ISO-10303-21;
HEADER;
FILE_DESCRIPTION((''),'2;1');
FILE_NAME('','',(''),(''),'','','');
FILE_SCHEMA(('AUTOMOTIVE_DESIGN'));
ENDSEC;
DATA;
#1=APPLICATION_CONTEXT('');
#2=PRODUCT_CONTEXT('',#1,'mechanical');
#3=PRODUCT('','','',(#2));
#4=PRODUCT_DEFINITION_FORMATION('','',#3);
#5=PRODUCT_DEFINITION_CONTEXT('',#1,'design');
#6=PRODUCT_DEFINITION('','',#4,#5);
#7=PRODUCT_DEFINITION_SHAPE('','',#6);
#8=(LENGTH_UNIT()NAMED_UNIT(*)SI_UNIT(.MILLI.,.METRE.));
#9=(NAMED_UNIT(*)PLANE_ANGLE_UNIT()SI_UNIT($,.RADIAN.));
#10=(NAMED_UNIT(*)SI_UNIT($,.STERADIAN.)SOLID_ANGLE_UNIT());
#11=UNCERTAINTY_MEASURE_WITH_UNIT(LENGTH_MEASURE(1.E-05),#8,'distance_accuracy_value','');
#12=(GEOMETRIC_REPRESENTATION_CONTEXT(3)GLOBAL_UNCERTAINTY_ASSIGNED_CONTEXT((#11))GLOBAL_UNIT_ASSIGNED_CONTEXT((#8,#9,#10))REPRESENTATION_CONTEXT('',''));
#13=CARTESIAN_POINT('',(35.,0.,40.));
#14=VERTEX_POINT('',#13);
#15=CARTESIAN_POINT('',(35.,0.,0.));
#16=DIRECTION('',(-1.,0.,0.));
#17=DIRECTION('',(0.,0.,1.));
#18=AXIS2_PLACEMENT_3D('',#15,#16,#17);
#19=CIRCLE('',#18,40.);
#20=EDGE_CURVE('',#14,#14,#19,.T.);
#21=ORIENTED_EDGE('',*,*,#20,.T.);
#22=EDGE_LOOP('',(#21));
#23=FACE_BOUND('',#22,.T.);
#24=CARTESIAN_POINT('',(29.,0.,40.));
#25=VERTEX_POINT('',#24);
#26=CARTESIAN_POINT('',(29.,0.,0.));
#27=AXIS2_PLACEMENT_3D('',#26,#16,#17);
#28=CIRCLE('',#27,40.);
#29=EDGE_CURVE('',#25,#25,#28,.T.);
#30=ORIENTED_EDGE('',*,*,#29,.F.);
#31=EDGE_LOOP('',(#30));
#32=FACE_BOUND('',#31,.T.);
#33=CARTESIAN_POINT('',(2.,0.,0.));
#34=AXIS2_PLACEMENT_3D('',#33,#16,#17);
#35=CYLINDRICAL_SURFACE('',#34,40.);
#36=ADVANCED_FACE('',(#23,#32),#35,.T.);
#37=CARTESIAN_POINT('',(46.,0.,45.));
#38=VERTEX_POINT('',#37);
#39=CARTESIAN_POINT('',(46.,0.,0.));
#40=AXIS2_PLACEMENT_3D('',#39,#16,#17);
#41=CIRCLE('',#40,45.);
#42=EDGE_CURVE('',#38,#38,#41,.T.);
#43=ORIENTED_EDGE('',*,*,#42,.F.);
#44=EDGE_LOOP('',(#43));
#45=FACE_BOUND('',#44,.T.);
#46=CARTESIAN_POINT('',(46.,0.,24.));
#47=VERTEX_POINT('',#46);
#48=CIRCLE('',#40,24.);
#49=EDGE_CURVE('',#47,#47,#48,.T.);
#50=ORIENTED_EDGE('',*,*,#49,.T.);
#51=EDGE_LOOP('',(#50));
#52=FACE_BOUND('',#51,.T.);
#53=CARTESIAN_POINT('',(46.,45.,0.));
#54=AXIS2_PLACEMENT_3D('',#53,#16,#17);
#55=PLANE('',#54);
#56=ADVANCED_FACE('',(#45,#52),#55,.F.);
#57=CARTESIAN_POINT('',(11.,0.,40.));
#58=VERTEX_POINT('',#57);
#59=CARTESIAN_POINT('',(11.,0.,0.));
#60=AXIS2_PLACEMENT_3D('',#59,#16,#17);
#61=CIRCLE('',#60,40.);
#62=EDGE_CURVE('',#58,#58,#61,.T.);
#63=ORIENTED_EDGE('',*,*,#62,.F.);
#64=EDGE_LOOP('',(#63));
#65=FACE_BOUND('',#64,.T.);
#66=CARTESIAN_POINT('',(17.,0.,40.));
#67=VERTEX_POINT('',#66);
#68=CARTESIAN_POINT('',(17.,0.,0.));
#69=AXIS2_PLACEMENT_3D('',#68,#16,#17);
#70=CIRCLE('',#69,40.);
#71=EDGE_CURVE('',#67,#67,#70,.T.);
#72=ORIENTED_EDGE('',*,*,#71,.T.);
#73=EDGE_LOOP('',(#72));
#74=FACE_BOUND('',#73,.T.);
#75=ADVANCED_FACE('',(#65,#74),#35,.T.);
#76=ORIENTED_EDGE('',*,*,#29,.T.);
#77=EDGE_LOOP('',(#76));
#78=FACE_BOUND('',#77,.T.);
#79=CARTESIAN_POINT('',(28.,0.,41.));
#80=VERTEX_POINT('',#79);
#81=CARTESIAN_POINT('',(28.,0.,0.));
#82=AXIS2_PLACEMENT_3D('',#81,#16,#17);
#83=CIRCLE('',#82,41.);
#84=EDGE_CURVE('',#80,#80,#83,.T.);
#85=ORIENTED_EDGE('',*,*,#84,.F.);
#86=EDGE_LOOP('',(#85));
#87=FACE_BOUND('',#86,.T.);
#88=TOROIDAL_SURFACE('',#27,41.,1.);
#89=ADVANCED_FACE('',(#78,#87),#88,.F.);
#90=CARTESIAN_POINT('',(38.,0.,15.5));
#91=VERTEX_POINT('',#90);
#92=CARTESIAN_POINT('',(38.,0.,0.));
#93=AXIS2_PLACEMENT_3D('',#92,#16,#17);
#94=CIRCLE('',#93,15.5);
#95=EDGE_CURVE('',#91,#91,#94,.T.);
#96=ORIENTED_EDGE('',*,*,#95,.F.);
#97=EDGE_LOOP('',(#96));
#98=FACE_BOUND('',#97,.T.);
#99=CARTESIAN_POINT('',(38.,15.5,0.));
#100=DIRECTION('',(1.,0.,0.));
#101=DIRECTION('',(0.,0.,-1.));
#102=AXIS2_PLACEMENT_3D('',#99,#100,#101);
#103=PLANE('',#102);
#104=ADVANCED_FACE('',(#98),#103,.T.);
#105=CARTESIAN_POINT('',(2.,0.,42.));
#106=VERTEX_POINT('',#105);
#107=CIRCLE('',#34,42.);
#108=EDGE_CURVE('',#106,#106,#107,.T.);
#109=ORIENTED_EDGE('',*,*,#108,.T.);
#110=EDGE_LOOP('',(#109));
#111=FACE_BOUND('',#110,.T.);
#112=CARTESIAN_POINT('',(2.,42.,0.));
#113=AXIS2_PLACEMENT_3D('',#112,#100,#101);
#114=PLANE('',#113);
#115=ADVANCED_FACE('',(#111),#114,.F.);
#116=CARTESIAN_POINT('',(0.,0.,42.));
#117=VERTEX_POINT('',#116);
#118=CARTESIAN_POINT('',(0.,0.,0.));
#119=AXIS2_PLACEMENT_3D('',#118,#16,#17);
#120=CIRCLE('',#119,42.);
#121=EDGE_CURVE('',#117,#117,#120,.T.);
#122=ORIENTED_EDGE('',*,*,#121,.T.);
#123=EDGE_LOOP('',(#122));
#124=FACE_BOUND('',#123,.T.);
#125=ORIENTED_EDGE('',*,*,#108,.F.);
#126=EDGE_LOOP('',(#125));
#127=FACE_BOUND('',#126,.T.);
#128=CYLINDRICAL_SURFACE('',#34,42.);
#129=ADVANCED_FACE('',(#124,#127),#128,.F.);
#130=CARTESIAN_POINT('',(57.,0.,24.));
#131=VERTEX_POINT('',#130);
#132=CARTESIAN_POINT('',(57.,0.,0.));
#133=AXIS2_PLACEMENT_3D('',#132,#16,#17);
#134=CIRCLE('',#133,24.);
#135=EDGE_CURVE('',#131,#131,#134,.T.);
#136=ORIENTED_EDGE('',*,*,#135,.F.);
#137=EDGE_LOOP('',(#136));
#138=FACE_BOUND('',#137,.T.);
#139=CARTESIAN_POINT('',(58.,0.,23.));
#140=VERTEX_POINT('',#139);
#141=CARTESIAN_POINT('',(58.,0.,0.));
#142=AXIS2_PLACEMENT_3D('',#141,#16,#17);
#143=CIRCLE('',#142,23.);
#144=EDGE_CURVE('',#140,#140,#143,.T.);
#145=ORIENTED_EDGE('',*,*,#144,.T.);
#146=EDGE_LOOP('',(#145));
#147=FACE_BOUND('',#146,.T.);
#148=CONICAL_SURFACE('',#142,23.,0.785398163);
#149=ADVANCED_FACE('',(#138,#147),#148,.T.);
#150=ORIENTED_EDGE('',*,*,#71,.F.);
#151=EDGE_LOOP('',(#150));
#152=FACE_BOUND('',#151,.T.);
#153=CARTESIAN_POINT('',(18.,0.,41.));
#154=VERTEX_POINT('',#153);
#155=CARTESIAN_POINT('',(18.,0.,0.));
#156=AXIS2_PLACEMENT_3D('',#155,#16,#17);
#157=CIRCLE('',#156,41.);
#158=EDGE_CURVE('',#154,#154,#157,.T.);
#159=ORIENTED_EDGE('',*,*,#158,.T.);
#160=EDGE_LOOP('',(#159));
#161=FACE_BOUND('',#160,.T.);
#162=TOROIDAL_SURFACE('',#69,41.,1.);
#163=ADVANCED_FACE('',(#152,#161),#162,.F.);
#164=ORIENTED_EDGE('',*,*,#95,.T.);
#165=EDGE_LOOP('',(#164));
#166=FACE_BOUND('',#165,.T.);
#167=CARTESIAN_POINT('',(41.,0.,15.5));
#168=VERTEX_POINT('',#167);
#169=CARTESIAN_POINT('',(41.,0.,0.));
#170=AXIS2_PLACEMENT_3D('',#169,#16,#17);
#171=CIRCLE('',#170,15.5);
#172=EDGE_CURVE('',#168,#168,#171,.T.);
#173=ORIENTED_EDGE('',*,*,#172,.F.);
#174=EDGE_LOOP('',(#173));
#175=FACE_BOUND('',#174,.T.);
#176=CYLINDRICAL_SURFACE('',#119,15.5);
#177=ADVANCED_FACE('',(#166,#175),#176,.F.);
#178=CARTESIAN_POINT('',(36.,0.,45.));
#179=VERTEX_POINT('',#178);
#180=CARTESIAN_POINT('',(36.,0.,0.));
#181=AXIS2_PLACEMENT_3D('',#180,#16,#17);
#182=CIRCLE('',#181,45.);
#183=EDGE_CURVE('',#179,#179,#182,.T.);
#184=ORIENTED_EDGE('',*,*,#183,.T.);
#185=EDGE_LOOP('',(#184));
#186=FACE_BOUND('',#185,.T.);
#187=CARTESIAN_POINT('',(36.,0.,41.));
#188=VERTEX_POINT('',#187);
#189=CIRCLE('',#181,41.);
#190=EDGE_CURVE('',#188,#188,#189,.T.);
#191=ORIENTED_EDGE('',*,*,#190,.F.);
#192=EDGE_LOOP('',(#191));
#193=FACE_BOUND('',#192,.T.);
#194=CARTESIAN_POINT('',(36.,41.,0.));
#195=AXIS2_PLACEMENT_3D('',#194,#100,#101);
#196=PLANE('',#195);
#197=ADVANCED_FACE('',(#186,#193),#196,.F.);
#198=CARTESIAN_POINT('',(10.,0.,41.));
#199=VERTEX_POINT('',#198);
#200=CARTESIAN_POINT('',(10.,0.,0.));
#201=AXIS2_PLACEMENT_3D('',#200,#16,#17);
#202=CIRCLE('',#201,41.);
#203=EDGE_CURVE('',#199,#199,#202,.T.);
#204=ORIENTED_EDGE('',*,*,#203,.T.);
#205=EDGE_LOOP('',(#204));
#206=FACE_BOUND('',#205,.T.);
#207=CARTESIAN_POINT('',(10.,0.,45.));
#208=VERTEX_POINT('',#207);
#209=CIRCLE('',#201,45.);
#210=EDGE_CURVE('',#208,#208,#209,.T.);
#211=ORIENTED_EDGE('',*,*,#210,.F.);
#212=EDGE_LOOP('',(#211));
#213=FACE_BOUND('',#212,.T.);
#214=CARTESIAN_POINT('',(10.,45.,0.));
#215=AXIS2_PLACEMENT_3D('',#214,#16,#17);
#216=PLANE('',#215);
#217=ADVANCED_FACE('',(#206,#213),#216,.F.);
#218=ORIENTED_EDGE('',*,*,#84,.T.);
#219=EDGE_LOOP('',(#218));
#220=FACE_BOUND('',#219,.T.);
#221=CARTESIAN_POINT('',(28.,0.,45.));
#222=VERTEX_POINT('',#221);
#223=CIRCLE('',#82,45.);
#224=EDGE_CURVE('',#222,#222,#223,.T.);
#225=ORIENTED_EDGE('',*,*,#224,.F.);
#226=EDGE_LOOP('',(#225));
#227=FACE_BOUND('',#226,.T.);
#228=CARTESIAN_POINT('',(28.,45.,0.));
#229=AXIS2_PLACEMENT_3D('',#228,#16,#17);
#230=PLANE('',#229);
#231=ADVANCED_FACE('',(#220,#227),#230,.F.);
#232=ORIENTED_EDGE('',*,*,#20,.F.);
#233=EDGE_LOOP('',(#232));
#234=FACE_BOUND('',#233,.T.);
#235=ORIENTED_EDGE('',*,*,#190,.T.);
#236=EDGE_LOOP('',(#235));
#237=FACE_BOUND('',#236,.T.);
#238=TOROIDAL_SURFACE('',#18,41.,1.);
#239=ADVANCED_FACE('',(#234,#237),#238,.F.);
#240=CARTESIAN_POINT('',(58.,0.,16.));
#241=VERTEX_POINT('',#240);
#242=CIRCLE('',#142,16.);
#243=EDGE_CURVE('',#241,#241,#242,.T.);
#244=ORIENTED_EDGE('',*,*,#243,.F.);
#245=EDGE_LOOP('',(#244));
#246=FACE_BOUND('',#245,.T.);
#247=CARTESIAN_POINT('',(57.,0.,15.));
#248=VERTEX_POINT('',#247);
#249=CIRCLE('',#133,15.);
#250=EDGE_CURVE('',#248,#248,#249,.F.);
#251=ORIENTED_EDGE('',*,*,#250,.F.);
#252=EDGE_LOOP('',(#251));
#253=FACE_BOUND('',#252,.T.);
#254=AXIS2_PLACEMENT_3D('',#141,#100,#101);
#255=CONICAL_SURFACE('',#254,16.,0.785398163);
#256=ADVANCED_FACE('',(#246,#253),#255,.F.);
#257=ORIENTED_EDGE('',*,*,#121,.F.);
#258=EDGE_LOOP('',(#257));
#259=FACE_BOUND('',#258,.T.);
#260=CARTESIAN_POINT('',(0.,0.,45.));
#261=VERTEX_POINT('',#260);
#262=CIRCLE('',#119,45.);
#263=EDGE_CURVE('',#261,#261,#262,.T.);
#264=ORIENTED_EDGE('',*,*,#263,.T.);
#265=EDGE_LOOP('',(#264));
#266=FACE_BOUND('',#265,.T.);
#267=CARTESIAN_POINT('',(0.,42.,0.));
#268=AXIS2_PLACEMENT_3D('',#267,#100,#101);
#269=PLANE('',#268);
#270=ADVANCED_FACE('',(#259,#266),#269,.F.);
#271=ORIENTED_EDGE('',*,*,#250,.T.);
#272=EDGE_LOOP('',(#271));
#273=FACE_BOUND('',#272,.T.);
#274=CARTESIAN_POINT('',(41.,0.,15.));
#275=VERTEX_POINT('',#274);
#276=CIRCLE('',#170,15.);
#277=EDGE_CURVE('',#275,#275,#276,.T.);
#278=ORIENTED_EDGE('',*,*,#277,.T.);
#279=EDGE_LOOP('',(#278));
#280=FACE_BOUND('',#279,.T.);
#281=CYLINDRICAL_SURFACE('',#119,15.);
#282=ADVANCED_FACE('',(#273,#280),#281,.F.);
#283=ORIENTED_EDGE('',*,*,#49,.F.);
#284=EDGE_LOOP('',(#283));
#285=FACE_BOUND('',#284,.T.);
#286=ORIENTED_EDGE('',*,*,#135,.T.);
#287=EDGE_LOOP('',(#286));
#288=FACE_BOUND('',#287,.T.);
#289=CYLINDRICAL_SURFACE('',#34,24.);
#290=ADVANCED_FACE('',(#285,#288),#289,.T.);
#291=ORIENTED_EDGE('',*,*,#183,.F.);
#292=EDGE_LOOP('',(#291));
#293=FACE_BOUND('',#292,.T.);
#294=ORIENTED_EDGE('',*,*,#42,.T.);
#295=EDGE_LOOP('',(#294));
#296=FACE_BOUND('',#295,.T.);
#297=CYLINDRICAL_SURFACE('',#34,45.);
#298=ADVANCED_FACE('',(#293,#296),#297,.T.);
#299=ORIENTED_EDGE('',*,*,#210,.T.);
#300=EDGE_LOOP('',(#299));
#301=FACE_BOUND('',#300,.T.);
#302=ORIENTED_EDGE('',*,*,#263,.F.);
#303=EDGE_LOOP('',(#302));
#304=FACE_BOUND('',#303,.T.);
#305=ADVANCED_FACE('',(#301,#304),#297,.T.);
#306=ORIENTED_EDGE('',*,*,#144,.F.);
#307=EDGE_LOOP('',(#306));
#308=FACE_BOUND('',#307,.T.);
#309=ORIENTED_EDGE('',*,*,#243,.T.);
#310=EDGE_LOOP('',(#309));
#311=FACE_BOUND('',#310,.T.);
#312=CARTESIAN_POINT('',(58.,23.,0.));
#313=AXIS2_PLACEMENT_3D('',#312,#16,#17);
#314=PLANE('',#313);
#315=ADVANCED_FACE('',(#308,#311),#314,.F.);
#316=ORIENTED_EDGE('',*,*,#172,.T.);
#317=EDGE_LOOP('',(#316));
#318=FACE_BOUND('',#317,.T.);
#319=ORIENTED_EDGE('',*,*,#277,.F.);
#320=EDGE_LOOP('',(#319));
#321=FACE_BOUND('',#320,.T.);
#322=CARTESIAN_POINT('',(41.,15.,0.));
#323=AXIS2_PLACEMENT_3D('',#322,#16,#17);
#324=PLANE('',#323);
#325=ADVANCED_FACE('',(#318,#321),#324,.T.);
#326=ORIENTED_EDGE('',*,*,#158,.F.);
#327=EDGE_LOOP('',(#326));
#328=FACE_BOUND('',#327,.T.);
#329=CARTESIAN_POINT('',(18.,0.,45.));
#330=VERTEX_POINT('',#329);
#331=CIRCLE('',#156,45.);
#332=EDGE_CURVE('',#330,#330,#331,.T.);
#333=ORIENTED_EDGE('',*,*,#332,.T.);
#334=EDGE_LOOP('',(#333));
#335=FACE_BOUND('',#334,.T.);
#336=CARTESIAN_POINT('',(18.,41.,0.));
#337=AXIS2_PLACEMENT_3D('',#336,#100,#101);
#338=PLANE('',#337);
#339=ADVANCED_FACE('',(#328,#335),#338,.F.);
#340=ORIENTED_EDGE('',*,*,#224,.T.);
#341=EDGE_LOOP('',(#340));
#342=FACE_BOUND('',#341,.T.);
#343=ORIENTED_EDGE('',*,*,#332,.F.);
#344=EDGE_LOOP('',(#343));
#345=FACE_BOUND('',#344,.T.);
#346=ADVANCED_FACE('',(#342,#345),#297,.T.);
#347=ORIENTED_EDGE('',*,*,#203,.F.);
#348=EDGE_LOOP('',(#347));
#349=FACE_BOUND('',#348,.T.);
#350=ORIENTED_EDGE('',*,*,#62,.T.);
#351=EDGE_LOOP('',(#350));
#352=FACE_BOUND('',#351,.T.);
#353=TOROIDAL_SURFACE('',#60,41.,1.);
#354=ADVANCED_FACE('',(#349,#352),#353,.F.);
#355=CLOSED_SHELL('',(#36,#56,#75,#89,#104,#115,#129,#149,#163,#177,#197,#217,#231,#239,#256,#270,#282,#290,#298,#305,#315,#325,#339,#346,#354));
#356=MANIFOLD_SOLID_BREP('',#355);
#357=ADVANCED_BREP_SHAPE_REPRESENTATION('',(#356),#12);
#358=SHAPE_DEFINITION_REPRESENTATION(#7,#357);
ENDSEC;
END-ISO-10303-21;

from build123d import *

# Parameters (mm, degrees)
CHAMFER_1_SIZE = 1


with BuildPart() as part:
    # Эскиз1 → Повернуть1 (revolve)
    with BuildSketch(Plane.XY, mode=Mode.PRIVATE) as revolve_1_sk:
        with BuildLine():
            Line((0, 42), (0, 45))
            Line((0, 45), (10, 45))
            Line((10, 45), (10, 41))
            ThreePointArc((10, 41), (10.292893219, 40.292893219), (11, 40))
            Line((11, 40), (17, 40))
            ThreePointArc((17, 40), (17.707106781, 40.292893219), (18, 41))
            Line((18, 41), (18, 45))
            Line((18, 45), (28, 45))
            Line((28, 45), (28, 41))
            ThreePointArc((28, 41), (28.292893219, 40.292893219), (29, 40))
            Line((29, 40), (35, 40))
            ThreePointArc((35, 40), (35.707106781, 40.292893219), (36, 41))
            Line((36, 41), (36, 45))
            Line((36, 45), (46, 45))
            Line((46, 45), (46, 24))
            Line((46, 24), (57, 24))
            Line((57, 24), (58, 23))
            Line((58, 23), (58, 0))
            Line((58, 0), (2, 0))
            Line((2, 0), (2, 42))
            Line((2, 42), (0, 42))
        make_face()
    revolve(revolve_1_sk.sketch.rotate(Axis((2, 0, 0), (1, 0, 0)), 90), axis=Axis((2, 0, 0), (1, 0, 0)))

    # Эскиз2 → Вырез-Повернуть1 (revolve, cut)
    with BuildSketch(Plane.XY, mode=Mode.PRIVATE) as cut_revolve_1_sk:
        Polygon((58, 0), (58, 15), (41, 15), (41, 15.5), (38, 15.5), (38, 0), align=None)
    revolve(cut_revolve_1_sk.sketch.rotate(Axis((0, 0, 0), (1, 0, 0)), 90), axis=Axis((0, 0, 0), (1, 0, 0)), mode=Mode.SUBTRACT)

    # Фаска1
    chamfer_1_edges = [part.edges().sort_by_distance(p)[0] for p in [
        (58, 0, -15),
    ]]
    chamfer(chamfer_1_edges, length=CHAMFER_1_SIZE)


solid = part.part
